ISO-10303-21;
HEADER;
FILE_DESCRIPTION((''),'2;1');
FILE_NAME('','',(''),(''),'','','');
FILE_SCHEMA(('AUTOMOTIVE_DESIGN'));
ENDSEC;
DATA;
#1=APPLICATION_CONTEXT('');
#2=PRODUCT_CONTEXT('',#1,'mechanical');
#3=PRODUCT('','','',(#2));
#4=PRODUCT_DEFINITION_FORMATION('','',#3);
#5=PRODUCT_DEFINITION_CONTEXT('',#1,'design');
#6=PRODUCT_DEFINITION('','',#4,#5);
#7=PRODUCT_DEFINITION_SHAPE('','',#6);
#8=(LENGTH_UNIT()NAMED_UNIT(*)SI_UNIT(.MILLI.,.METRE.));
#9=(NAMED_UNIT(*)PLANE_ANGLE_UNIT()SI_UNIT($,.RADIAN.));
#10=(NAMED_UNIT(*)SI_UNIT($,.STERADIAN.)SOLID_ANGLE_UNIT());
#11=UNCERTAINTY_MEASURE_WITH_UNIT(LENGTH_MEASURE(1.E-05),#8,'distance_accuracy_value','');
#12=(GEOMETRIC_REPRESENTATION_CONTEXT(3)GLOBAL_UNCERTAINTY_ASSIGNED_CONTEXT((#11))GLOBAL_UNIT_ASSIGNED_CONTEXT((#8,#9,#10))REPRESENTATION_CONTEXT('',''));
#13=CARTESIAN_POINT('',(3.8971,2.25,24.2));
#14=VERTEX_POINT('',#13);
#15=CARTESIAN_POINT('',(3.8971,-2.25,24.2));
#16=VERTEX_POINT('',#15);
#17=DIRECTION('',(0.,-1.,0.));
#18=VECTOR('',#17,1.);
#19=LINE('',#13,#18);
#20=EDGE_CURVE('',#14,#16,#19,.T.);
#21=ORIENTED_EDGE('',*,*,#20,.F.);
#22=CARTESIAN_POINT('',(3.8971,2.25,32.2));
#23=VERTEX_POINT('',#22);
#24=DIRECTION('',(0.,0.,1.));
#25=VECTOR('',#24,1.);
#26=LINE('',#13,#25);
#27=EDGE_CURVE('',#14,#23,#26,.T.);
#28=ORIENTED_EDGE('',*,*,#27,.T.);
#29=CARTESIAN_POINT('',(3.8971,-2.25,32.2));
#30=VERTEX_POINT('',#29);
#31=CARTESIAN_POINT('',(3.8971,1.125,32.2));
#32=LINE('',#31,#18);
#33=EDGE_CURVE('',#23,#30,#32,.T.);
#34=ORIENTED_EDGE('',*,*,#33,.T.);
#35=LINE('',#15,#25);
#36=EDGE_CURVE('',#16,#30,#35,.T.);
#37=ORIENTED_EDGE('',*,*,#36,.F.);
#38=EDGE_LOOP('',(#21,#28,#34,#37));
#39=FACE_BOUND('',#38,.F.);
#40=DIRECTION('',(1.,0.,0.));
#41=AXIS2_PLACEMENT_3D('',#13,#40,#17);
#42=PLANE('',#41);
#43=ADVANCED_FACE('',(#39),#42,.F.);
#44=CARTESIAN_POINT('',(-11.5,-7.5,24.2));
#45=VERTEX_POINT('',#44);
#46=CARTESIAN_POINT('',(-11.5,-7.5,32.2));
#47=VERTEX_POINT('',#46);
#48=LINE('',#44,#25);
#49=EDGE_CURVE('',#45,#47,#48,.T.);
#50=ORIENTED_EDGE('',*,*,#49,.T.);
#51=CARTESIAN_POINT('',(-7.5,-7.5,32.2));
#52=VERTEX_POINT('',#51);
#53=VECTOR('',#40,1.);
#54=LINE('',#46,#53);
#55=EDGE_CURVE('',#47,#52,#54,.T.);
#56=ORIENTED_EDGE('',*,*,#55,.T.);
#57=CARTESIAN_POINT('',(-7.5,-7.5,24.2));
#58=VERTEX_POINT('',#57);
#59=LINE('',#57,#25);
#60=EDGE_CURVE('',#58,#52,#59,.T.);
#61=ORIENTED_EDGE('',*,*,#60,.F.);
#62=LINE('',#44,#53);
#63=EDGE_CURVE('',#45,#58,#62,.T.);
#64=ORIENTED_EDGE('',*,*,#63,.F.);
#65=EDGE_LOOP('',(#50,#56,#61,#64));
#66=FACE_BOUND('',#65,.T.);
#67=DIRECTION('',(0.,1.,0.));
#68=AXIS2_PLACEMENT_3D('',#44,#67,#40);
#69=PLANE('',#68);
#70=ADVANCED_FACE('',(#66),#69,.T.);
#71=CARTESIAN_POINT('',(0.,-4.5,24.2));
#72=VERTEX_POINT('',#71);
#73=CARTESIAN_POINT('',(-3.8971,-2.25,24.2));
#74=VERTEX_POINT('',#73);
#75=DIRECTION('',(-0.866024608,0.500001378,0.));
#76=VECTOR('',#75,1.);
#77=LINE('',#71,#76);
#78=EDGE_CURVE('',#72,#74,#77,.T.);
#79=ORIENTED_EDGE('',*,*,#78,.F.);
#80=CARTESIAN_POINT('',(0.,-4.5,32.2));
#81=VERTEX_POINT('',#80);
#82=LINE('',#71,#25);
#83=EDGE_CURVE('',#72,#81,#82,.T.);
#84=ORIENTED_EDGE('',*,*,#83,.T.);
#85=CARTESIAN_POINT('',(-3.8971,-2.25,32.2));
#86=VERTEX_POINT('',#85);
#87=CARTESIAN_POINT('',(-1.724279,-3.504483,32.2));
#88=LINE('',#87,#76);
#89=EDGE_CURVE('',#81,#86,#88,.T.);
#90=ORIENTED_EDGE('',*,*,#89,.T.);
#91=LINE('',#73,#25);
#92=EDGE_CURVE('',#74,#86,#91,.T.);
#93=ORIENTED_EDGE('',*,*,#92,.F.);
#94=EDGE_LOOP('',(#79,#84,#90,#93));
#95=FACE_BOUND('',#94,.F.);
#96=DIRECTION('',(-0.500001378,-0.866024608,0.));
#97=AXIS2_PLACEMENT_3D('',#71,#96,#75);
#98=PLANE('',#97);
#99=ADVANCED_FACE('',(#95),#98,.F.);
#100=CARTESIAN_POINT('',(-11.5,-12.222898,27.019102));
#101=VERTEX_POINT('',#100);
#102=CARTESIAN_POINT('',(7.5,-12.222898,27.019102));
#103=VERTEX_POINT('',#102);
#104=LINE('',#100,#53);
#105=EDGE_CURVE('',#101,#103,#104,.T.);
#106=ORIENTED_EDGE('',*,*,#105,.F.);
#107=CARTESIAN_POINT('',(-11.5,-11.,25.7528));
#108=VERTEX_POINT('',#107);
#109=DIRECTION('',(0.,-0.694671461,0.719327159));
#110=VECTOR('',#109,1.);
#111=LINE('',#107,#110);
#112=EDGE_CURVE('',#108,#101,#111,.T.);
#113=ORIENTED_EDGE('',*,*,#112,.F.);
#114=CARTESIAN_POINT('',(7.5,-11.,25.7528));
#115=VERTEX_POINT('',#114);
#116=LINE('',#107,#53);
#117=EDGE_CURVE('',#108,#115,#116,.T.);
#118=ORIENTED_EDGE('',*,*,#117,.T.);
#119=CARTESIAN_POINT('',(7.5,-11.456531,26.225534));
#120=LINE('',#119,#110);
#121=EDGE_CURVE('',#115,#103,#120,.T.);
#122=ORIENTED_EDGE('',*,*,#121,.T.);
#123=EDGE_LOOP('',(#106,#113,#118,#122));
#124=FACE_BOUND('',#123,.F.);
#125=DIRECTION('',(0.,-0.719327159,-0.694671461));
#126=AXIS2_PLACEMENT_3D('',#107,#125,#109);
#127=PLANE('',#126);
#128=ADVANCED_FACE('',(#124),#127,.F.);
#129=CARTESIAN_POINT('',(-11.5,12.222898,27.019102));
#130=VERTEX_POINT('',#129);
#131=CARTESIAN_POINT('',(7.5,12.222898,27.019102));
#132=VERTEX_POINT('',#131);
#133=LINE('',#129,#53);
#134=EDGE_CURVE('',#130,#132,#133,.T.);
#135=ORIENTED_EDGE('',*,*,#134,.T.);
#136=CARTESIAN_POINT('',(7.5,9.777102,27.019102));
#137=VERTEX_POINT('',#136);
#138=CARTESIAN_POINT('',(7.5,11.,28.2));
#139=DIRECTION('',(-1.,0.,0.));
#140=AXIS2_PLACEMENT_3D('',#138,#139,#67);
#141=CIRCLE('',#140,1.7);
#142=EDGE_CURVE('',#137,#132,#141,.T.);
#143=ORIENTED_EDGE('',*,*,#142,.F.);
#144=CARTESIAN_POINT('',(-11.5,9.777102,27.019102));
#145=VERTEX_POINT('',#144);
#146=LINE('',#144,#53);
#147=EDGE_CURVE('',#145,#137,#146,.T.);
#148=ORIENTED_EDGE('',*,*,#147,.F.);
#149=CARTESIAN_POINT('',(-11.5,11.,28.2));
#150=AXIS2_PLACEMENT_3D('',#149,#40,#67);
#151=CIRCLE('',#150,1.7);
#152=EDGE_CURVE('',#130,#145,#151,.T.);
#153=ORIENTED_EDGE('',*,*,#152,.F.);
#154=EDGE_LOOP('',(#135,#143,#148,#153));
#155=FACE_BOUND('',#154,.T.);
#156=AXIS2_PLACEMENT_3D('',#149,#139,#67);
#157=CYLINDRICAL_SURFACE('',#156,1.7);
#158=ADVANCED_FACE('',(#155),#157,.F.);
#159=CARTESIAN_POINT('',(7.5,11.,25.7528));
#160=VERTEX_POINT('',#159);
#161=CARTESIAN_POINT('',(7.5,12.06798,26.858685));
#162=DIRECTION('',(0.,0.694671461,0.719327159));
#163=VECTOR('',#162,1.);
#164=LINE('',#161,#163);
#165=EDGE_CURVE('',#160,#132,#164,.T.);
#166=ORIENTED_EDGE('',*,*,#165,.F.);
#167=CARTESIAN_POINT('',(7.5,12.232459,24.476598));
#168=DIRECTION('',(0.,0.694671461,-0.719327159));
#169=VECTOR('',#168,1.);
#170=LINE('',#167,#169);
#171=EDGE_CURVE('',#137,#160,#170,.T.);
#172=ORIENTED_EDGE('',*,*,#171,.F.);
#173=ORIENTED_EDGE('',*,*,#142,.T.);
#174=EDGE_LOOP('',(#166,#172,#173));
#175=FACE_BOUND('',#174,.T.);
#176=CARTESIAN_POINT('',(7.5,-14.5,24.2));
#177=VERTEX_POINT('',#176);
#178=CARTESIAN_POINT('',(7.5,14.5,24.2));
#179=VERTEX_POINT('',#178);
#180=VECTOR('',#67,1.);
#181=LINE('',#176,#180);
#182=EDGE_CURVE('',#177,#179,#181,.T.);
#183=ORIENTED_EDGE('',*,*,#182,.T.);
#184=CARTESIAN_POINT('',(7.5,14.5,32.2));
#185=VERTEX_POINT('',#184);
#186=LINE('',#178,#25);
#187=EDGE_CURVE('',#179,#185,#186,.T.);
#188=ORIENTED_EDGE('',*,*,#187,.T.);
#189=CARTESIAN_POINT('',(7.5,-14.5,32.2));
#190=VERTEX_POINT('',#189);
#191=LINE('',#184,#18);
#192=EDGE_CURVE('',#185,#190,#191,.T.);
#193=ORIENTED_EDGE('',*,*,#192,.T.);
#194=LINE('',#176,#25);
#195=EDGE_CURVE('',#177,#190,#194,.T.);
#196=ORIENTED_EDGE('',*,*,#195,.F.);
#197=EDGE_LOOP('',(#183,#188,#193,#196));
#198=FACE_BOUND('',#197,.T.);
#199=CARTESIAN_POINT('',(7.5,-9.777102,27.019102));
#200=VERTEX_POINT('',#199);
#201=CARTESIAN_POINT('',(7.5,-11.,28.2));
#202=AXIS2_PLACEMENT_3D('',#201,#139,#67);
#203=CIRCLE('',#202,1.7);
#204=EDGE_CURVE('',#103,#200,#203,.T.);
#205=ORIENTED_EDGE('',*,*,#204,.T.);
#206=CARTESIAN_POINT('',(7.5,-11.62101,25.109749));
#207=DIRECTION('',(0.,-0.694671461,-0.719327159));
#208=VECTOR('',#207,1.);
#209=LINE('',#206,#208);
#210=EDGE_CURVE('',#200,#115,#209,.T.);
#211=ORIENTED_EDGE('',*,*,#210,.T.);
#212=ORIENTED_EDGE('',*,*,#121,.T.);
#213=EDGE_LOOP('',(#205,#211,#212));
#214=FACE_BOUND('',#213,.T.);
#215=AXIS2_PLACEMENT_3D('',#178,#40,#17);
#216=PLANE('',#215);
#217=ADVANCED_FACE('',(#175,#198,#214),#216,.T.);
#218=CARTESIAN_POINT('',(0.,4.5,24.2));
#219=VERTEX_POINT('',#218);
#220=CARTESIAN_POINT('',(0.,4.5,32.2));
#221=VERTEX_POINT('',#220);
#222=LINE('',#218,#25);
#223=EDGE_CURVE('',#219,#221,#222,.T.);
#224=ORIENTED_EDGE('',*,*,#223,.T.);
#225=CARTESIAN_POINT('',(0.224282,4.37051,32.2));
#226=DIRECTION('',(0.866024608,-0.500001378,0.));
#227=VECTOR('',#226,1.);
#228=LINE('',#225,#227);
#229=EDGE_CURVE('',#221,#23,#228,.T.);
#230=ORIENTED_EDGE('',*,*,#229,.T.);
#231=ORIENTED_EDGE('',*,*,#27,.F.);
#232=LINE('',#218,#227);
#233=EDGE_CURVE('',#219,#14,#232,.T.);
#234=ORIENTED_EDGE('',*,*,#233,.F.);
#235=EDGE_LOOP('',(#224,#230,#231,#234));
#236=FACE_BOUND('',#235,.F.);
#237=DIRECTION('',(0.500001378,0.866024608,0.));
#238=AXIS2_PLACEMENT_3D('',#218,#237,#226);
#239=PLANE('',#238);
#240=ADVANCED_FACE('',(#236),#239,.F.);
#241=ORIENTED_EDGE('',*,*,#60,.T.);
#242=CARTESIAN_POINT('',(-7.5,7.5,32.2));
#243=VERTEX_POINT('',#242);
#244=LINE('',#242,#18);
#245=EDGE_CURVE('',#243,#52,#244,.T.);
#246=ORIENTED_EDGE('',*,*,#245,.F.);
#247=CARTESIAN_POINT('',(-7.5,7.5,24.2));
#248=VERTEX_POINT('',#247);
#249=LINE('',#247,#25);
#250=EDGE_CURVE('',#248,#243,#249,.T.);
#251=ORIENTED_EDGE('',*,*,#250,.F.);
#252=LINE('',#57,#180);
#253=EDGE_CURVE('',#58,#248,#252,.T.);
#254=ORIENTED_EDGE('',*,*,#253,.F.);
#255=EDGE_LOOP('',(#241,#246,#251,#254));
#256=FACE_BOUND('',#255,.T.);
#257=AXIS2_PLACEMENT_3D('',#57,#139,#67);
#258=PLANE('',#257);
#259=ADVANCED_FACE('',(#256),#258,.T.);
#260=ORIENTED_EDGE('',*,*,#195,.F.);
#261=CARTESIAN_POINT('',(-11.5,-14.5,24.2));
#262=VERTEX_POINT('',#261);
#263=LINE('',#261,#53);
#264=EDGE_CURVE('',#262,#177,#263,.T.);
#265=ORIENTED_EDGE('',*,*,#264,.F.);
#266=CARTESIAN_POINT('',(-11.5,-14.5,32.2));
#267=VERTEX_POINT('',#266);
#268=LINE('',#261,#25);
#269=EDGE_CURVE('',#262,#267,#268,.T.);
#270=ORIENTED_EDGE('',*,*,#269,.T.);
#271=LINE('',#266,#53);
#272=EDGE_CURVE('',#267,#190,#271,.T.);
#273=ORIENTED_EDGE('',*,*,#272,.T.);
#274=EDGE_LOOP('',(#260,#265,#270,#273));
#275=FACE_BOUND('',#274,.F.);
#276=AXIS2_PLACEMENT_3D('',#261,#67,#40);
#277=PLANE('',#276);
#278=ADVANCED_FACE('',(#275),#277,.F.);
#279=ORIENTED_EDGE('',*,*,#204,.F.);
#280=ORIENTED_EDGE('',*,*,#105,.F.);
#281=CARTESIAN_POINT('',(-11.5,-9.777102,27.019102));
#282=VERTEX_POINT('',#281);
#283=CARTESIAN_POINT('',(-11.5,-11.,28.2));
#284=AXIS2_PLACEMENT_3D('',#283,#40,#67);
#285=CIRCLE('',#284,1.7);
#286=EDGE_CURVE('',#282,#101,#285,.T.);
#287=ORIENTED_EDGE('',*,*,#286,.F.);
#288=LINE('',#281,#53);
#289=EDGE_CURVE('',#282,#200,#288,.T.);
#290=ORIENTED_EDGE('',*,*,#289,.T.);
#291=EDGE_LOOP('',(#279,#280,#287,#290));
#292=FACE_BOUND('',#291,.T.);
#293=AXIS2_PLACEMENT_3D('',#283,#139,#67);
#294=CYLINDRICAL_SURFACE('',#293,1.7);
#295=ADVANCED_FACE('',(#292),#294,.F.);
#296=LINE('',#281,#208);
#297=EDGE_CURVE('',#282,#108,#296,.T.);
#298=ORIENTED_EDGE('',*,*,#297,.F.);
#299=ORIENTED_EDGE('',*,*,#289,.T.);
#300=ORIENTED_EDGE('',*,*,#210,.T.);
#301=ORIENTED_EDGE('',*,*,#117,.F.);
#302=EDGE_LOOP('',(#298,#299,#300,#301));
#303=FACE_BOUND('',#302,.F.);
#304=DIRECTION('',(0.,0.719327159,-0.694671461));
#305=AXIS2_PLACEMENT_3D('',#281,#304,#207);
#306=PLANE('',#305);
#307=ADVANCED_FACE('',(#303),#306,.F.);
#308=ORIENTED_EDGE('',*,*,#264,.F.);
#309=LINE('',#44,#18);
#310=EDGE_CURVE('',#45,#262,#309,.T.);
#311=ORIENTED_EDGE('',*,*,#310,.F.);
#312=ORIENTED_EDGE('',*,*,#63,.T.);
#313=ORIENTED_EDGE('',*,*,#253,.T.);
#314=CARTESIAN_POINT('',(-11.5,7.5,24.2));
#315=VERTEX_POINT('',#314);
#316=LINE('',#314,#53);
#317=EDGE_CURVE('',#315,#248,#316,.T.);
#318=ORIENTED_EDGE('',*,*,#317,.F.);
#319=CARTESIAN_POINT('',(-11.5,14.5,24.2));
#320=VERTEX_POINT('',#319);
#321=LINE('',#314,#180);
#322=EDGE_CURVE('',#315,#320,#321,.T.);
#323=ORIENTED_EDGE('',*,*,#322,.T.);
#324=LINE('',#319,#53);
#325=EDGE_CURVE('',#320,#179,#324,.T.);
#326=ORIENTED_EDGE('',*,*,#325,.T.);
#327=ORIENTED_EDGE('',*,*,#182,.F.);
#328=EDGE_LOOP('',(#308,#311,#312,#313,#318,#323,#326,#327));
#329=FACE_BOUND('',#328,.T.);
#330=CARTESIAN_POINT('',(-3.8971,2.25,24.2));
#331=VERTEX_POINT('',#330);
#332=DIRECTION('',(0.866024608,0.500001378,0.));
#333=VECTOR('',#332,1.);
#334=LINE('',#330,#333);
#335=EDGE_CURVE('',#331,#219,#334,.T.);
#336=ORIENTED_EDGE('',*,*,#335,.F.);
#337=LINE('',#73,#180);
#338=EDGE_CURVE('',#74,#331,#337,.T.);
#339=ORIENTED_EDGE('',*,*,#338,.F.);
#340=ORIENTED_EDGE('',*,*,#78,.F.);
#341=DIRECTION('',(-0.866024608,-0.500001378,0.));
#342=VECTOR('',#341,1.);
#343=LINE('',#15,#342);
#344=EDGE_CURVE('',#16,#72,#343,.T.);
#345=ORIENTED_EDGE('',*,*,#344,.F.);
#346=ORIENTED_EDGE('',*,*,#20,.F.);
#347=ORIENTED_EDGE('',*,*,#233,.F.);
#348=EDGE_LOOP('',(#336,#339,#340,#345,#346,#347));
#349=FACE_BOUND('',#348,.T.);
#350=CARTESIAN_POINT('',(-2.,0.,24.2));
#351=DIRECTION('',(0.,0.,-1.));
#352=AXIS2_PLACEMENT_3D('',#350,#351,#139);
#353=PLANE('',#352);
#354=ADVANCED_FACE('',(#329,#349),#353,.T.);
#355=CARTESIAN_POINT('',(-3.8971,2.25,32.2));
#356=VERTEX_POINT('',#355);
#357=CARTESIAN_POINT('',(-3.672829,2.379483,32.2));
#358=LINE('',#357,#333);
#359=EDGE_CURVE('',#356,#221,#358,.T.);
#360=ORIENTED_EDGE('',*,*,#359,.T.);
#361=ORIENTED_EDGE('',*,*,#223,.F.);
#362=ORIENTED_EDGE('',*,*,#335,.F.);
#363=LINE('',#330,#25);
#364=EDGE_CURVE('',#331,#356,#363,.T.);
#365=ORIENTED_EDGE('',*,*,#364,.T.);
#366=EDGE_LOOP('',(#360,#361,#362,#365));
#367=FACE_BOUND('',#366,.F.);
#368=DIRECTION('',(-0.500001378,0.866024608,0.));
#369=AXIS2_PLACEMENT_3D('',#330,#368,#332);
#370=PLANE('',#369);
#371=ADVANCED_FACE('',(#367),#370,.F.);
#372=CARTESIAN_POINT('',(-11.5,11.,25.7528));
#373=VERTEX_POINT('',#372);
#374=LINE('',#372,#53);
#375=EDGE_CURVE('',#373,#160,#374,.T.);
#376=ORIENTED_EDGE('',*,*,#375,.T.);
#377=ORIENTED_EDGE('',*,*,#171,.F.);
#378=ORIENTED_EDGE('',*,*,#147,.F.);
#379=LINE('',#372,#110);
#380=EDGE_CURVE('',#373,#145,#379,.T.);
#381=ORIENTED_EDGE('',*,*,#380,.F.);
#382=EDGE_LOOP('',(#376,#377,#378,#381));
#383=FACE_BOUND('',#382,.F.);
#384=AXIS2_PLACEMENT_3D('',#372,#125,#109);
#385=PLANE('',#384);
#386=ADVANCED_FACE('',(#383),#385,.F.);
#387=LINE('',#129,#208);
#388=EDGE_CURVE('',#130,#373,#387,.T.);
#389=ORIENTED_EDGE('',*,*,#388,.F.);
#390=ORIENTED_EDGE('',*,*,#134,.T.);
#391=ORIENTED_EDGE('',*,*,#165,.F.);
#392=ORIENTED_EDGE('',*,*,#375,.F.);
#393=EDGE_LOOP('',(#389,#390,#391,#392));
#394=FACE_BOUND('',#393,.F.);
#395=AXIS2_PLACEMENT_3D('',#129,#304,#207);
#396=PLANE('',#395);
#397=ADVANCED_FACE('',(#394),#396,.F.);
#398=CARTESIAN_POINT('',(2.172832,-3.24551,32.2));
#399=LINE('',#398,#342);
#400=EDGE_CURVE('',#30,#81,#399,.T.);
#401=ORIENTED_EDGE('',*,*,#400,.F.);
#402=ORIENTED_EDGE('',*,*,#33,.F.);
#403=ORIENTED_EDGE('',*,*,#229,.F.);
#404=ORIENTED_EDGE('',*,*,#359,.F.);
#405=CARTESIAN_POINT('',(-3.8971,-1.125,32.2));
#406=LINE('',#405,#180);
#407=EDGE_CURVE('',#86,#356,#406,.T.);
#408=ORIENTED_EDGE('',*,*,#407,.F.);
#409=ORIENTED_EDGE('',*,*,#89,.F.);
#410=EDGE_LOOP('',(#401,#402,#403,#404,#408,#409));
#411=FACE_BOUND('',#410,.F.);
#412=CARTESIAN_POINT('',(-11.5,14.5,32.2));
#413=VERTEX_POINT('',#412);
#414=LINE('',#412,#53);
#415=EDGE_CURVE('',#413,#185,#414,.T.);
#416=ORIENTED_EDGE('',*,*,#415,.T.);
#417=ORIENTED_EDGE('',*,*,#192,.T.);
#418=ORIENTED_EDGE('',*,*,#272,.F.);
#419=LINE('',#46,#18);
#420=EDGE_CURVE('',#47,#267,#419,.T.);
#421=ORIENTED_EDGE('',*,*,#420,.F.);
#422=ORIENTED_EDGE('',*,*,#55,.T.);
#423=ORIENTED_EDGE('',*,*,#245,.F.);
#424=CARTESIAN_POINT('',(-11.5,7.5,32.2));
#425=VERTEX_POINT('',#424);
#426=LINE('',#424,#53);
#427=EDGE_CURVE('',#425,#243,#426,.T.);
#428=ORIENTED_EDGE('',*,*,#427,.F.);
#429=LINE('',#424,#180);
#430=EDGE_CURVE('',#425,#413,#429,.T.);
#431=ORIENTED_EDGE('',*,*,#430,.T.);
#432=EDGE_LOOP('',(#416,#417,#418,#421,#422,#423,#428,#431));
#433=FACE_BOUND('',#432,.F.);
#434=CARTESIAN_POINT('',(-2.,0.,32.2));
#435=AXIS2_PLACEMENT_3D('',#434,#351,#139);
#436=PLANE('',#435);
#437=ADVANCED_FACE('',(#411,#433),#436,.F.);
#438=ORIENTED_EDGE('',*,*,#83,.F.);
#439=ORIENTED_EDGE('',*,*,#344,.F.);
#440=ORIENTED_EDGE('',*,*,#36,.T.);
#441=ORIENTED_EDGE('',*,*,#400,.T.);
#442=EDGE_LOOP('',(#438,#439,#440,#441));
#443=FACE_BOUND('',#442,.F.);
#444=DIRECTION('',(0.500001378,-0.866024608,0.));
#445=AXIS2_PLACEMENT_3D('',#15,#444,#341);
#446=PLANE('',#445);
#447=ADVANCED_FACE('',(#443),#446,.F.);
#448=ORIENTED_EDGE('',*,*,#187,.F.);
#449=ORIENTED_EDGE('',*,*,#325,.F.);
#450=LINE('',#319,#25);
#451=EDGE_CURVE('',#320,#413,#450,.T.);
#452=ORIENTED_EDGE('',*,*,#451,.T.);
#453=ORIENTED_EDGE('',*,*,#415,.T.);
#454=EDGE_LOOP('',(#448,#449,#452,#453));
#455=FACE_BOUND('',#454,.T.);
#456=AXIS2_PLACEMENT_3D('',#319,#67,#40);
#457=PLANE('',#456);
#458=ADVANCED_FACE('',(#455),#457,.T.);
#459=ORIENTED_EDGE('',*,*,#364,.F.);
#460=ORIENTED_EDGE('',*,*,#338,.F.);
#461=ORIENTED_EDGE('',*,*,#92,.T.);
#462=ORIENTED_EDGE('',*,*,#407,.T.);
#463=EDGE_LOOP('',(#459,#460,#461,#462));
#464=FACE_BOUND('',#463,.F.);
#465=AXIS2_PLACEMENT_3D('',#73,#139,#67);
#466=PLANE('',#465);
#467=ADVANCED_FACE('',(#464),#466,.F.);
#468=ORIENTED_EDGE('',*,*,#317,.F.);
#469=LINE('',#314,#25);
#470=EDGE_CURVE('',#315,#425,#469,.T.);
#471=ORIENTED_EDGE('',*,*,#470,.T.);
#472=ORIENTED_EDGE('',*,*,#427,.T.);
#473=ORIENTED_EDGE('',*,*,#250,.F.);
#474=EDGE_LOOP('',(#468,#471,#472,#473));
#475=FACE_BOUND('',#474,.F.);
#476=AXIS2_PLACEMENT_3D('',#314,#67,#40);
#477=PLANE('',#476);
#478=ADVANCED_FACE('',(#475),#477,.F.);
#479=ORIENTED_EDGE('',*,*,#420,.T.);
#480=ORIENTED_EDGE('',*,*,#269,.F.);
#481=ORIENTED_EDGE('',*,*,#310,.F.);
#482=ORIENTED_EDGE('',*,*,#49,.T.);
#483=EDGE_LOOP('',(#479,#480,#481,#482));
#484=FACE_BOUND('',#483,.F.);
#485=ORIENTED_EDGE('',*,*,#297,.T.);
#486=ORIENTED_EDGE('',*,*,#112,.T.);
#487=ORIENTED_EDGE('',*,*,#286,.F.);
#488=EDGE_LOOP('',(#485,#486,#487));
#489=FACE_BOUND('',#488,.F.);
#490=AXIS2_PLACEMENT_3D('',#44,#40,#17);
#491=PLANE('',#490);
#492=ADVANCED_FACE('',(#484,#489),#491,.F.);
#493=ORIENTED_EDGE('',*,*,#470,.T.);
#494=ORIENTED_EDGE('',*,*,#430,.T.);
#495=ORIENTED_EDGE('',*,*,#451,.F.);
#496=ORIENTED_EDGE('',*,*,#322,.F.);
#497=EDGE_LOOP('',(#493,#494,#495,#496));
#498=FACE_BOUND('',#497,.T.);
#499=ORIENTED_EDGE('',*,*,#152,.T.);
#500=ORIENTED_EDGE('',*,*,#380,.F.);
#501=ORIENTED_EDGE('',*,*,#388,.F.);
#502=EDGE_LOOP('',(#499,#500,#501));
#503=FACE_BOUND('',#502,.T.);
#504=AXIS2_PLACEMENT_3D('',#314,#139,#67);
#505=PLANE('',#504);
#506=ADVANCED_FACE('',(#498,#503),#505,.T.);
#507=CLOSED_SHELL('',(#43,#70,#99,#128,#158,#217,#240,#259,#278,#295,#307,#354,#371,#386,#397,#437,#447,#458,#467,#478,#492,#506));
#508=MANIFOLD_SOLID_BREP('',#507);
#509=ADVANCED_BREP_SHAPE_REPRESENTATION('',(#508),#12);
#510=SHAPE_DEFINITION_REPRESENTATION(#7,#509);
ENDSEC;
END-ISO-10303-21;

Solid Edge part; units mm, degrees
sketch "Sketch1" plane through (0, 0, 24.2) normal (0, 0, 1) x (1, 0, 0)
  line L0 (-11.5, 14.5) -> (7.5, 14.5)
  line L1 (7.5, 14.5) -> (7.5, 0)
  line L2 (7.5, -14.5) -> (7.5, 0)
  line L3 (-11.5, -14.5) -> (7.5, -14.5)
  line L4 (-11.5, -7.5) -> (-11.5, -14.5)
  line L5 (-11.5, -7.5) -> (-7.5, -7.5)
  line L6 (-7.5, -7.5) -> (-7.5, 0)
  line L7 (-7.5, 7.5) -> (-7.5, 0)
  line L8 (-11.5, 7.5) -> (-7.5, 7.5)
  line L9 (-11.5, 7.5) -> (-11.5, 14.5)
extrude "Protrusion1" add sketch "Sketch1" along normal blind 8
sketch "Sketch2" plane through (-11.5, -11, 28.2) normal (-1, 0, 0) x (0, 1, 0)
  line L0 (1.2229, 1.1809) -> (0, 2.4472)
  line L1 (0, 2.4472) -> (-1.2229, 1.1809)
  arc A0 (1.2229, 1.1809) -> (-1.2229, 1.1809) centre (0, 0) cw
  line L2 (23.2229, 1.1809) -> (22, 2.4472)
  line L3 (22, 2.4472) -> (20.7771, 1.1809)
  arc A1 (23.2229, 1.1809) -> (20.7771, 1.1809) centre (22, 0) cw
extrude "Cutout1" cut sketch "Sketch2" against normal through all
sketch "Sketch3" plane through (-2, 0, 24.2) normal (0, 0, -1) x (-1, 0, 0)
  line L0 (-5.8971, 2.25) -> (-5.8971, -2.25)
  line L1 (-5.8971, -2.25) -> (-2, -4.5)
  line L2 (-2, -4.5) -> (1.8971, -2.25)
  line L3 (1.8971, -2.25) -> (1.8971, 2.25)
  line L4 (1.8971, 2.25) -> (-2, 4.5)
  line L5 (-2, 4.5) -> (-5.8971, 2.25)
extrude "Cutout2" cut sketch "Sketch3" against normal through all
properties material "ABS Plastic, medium impact"
